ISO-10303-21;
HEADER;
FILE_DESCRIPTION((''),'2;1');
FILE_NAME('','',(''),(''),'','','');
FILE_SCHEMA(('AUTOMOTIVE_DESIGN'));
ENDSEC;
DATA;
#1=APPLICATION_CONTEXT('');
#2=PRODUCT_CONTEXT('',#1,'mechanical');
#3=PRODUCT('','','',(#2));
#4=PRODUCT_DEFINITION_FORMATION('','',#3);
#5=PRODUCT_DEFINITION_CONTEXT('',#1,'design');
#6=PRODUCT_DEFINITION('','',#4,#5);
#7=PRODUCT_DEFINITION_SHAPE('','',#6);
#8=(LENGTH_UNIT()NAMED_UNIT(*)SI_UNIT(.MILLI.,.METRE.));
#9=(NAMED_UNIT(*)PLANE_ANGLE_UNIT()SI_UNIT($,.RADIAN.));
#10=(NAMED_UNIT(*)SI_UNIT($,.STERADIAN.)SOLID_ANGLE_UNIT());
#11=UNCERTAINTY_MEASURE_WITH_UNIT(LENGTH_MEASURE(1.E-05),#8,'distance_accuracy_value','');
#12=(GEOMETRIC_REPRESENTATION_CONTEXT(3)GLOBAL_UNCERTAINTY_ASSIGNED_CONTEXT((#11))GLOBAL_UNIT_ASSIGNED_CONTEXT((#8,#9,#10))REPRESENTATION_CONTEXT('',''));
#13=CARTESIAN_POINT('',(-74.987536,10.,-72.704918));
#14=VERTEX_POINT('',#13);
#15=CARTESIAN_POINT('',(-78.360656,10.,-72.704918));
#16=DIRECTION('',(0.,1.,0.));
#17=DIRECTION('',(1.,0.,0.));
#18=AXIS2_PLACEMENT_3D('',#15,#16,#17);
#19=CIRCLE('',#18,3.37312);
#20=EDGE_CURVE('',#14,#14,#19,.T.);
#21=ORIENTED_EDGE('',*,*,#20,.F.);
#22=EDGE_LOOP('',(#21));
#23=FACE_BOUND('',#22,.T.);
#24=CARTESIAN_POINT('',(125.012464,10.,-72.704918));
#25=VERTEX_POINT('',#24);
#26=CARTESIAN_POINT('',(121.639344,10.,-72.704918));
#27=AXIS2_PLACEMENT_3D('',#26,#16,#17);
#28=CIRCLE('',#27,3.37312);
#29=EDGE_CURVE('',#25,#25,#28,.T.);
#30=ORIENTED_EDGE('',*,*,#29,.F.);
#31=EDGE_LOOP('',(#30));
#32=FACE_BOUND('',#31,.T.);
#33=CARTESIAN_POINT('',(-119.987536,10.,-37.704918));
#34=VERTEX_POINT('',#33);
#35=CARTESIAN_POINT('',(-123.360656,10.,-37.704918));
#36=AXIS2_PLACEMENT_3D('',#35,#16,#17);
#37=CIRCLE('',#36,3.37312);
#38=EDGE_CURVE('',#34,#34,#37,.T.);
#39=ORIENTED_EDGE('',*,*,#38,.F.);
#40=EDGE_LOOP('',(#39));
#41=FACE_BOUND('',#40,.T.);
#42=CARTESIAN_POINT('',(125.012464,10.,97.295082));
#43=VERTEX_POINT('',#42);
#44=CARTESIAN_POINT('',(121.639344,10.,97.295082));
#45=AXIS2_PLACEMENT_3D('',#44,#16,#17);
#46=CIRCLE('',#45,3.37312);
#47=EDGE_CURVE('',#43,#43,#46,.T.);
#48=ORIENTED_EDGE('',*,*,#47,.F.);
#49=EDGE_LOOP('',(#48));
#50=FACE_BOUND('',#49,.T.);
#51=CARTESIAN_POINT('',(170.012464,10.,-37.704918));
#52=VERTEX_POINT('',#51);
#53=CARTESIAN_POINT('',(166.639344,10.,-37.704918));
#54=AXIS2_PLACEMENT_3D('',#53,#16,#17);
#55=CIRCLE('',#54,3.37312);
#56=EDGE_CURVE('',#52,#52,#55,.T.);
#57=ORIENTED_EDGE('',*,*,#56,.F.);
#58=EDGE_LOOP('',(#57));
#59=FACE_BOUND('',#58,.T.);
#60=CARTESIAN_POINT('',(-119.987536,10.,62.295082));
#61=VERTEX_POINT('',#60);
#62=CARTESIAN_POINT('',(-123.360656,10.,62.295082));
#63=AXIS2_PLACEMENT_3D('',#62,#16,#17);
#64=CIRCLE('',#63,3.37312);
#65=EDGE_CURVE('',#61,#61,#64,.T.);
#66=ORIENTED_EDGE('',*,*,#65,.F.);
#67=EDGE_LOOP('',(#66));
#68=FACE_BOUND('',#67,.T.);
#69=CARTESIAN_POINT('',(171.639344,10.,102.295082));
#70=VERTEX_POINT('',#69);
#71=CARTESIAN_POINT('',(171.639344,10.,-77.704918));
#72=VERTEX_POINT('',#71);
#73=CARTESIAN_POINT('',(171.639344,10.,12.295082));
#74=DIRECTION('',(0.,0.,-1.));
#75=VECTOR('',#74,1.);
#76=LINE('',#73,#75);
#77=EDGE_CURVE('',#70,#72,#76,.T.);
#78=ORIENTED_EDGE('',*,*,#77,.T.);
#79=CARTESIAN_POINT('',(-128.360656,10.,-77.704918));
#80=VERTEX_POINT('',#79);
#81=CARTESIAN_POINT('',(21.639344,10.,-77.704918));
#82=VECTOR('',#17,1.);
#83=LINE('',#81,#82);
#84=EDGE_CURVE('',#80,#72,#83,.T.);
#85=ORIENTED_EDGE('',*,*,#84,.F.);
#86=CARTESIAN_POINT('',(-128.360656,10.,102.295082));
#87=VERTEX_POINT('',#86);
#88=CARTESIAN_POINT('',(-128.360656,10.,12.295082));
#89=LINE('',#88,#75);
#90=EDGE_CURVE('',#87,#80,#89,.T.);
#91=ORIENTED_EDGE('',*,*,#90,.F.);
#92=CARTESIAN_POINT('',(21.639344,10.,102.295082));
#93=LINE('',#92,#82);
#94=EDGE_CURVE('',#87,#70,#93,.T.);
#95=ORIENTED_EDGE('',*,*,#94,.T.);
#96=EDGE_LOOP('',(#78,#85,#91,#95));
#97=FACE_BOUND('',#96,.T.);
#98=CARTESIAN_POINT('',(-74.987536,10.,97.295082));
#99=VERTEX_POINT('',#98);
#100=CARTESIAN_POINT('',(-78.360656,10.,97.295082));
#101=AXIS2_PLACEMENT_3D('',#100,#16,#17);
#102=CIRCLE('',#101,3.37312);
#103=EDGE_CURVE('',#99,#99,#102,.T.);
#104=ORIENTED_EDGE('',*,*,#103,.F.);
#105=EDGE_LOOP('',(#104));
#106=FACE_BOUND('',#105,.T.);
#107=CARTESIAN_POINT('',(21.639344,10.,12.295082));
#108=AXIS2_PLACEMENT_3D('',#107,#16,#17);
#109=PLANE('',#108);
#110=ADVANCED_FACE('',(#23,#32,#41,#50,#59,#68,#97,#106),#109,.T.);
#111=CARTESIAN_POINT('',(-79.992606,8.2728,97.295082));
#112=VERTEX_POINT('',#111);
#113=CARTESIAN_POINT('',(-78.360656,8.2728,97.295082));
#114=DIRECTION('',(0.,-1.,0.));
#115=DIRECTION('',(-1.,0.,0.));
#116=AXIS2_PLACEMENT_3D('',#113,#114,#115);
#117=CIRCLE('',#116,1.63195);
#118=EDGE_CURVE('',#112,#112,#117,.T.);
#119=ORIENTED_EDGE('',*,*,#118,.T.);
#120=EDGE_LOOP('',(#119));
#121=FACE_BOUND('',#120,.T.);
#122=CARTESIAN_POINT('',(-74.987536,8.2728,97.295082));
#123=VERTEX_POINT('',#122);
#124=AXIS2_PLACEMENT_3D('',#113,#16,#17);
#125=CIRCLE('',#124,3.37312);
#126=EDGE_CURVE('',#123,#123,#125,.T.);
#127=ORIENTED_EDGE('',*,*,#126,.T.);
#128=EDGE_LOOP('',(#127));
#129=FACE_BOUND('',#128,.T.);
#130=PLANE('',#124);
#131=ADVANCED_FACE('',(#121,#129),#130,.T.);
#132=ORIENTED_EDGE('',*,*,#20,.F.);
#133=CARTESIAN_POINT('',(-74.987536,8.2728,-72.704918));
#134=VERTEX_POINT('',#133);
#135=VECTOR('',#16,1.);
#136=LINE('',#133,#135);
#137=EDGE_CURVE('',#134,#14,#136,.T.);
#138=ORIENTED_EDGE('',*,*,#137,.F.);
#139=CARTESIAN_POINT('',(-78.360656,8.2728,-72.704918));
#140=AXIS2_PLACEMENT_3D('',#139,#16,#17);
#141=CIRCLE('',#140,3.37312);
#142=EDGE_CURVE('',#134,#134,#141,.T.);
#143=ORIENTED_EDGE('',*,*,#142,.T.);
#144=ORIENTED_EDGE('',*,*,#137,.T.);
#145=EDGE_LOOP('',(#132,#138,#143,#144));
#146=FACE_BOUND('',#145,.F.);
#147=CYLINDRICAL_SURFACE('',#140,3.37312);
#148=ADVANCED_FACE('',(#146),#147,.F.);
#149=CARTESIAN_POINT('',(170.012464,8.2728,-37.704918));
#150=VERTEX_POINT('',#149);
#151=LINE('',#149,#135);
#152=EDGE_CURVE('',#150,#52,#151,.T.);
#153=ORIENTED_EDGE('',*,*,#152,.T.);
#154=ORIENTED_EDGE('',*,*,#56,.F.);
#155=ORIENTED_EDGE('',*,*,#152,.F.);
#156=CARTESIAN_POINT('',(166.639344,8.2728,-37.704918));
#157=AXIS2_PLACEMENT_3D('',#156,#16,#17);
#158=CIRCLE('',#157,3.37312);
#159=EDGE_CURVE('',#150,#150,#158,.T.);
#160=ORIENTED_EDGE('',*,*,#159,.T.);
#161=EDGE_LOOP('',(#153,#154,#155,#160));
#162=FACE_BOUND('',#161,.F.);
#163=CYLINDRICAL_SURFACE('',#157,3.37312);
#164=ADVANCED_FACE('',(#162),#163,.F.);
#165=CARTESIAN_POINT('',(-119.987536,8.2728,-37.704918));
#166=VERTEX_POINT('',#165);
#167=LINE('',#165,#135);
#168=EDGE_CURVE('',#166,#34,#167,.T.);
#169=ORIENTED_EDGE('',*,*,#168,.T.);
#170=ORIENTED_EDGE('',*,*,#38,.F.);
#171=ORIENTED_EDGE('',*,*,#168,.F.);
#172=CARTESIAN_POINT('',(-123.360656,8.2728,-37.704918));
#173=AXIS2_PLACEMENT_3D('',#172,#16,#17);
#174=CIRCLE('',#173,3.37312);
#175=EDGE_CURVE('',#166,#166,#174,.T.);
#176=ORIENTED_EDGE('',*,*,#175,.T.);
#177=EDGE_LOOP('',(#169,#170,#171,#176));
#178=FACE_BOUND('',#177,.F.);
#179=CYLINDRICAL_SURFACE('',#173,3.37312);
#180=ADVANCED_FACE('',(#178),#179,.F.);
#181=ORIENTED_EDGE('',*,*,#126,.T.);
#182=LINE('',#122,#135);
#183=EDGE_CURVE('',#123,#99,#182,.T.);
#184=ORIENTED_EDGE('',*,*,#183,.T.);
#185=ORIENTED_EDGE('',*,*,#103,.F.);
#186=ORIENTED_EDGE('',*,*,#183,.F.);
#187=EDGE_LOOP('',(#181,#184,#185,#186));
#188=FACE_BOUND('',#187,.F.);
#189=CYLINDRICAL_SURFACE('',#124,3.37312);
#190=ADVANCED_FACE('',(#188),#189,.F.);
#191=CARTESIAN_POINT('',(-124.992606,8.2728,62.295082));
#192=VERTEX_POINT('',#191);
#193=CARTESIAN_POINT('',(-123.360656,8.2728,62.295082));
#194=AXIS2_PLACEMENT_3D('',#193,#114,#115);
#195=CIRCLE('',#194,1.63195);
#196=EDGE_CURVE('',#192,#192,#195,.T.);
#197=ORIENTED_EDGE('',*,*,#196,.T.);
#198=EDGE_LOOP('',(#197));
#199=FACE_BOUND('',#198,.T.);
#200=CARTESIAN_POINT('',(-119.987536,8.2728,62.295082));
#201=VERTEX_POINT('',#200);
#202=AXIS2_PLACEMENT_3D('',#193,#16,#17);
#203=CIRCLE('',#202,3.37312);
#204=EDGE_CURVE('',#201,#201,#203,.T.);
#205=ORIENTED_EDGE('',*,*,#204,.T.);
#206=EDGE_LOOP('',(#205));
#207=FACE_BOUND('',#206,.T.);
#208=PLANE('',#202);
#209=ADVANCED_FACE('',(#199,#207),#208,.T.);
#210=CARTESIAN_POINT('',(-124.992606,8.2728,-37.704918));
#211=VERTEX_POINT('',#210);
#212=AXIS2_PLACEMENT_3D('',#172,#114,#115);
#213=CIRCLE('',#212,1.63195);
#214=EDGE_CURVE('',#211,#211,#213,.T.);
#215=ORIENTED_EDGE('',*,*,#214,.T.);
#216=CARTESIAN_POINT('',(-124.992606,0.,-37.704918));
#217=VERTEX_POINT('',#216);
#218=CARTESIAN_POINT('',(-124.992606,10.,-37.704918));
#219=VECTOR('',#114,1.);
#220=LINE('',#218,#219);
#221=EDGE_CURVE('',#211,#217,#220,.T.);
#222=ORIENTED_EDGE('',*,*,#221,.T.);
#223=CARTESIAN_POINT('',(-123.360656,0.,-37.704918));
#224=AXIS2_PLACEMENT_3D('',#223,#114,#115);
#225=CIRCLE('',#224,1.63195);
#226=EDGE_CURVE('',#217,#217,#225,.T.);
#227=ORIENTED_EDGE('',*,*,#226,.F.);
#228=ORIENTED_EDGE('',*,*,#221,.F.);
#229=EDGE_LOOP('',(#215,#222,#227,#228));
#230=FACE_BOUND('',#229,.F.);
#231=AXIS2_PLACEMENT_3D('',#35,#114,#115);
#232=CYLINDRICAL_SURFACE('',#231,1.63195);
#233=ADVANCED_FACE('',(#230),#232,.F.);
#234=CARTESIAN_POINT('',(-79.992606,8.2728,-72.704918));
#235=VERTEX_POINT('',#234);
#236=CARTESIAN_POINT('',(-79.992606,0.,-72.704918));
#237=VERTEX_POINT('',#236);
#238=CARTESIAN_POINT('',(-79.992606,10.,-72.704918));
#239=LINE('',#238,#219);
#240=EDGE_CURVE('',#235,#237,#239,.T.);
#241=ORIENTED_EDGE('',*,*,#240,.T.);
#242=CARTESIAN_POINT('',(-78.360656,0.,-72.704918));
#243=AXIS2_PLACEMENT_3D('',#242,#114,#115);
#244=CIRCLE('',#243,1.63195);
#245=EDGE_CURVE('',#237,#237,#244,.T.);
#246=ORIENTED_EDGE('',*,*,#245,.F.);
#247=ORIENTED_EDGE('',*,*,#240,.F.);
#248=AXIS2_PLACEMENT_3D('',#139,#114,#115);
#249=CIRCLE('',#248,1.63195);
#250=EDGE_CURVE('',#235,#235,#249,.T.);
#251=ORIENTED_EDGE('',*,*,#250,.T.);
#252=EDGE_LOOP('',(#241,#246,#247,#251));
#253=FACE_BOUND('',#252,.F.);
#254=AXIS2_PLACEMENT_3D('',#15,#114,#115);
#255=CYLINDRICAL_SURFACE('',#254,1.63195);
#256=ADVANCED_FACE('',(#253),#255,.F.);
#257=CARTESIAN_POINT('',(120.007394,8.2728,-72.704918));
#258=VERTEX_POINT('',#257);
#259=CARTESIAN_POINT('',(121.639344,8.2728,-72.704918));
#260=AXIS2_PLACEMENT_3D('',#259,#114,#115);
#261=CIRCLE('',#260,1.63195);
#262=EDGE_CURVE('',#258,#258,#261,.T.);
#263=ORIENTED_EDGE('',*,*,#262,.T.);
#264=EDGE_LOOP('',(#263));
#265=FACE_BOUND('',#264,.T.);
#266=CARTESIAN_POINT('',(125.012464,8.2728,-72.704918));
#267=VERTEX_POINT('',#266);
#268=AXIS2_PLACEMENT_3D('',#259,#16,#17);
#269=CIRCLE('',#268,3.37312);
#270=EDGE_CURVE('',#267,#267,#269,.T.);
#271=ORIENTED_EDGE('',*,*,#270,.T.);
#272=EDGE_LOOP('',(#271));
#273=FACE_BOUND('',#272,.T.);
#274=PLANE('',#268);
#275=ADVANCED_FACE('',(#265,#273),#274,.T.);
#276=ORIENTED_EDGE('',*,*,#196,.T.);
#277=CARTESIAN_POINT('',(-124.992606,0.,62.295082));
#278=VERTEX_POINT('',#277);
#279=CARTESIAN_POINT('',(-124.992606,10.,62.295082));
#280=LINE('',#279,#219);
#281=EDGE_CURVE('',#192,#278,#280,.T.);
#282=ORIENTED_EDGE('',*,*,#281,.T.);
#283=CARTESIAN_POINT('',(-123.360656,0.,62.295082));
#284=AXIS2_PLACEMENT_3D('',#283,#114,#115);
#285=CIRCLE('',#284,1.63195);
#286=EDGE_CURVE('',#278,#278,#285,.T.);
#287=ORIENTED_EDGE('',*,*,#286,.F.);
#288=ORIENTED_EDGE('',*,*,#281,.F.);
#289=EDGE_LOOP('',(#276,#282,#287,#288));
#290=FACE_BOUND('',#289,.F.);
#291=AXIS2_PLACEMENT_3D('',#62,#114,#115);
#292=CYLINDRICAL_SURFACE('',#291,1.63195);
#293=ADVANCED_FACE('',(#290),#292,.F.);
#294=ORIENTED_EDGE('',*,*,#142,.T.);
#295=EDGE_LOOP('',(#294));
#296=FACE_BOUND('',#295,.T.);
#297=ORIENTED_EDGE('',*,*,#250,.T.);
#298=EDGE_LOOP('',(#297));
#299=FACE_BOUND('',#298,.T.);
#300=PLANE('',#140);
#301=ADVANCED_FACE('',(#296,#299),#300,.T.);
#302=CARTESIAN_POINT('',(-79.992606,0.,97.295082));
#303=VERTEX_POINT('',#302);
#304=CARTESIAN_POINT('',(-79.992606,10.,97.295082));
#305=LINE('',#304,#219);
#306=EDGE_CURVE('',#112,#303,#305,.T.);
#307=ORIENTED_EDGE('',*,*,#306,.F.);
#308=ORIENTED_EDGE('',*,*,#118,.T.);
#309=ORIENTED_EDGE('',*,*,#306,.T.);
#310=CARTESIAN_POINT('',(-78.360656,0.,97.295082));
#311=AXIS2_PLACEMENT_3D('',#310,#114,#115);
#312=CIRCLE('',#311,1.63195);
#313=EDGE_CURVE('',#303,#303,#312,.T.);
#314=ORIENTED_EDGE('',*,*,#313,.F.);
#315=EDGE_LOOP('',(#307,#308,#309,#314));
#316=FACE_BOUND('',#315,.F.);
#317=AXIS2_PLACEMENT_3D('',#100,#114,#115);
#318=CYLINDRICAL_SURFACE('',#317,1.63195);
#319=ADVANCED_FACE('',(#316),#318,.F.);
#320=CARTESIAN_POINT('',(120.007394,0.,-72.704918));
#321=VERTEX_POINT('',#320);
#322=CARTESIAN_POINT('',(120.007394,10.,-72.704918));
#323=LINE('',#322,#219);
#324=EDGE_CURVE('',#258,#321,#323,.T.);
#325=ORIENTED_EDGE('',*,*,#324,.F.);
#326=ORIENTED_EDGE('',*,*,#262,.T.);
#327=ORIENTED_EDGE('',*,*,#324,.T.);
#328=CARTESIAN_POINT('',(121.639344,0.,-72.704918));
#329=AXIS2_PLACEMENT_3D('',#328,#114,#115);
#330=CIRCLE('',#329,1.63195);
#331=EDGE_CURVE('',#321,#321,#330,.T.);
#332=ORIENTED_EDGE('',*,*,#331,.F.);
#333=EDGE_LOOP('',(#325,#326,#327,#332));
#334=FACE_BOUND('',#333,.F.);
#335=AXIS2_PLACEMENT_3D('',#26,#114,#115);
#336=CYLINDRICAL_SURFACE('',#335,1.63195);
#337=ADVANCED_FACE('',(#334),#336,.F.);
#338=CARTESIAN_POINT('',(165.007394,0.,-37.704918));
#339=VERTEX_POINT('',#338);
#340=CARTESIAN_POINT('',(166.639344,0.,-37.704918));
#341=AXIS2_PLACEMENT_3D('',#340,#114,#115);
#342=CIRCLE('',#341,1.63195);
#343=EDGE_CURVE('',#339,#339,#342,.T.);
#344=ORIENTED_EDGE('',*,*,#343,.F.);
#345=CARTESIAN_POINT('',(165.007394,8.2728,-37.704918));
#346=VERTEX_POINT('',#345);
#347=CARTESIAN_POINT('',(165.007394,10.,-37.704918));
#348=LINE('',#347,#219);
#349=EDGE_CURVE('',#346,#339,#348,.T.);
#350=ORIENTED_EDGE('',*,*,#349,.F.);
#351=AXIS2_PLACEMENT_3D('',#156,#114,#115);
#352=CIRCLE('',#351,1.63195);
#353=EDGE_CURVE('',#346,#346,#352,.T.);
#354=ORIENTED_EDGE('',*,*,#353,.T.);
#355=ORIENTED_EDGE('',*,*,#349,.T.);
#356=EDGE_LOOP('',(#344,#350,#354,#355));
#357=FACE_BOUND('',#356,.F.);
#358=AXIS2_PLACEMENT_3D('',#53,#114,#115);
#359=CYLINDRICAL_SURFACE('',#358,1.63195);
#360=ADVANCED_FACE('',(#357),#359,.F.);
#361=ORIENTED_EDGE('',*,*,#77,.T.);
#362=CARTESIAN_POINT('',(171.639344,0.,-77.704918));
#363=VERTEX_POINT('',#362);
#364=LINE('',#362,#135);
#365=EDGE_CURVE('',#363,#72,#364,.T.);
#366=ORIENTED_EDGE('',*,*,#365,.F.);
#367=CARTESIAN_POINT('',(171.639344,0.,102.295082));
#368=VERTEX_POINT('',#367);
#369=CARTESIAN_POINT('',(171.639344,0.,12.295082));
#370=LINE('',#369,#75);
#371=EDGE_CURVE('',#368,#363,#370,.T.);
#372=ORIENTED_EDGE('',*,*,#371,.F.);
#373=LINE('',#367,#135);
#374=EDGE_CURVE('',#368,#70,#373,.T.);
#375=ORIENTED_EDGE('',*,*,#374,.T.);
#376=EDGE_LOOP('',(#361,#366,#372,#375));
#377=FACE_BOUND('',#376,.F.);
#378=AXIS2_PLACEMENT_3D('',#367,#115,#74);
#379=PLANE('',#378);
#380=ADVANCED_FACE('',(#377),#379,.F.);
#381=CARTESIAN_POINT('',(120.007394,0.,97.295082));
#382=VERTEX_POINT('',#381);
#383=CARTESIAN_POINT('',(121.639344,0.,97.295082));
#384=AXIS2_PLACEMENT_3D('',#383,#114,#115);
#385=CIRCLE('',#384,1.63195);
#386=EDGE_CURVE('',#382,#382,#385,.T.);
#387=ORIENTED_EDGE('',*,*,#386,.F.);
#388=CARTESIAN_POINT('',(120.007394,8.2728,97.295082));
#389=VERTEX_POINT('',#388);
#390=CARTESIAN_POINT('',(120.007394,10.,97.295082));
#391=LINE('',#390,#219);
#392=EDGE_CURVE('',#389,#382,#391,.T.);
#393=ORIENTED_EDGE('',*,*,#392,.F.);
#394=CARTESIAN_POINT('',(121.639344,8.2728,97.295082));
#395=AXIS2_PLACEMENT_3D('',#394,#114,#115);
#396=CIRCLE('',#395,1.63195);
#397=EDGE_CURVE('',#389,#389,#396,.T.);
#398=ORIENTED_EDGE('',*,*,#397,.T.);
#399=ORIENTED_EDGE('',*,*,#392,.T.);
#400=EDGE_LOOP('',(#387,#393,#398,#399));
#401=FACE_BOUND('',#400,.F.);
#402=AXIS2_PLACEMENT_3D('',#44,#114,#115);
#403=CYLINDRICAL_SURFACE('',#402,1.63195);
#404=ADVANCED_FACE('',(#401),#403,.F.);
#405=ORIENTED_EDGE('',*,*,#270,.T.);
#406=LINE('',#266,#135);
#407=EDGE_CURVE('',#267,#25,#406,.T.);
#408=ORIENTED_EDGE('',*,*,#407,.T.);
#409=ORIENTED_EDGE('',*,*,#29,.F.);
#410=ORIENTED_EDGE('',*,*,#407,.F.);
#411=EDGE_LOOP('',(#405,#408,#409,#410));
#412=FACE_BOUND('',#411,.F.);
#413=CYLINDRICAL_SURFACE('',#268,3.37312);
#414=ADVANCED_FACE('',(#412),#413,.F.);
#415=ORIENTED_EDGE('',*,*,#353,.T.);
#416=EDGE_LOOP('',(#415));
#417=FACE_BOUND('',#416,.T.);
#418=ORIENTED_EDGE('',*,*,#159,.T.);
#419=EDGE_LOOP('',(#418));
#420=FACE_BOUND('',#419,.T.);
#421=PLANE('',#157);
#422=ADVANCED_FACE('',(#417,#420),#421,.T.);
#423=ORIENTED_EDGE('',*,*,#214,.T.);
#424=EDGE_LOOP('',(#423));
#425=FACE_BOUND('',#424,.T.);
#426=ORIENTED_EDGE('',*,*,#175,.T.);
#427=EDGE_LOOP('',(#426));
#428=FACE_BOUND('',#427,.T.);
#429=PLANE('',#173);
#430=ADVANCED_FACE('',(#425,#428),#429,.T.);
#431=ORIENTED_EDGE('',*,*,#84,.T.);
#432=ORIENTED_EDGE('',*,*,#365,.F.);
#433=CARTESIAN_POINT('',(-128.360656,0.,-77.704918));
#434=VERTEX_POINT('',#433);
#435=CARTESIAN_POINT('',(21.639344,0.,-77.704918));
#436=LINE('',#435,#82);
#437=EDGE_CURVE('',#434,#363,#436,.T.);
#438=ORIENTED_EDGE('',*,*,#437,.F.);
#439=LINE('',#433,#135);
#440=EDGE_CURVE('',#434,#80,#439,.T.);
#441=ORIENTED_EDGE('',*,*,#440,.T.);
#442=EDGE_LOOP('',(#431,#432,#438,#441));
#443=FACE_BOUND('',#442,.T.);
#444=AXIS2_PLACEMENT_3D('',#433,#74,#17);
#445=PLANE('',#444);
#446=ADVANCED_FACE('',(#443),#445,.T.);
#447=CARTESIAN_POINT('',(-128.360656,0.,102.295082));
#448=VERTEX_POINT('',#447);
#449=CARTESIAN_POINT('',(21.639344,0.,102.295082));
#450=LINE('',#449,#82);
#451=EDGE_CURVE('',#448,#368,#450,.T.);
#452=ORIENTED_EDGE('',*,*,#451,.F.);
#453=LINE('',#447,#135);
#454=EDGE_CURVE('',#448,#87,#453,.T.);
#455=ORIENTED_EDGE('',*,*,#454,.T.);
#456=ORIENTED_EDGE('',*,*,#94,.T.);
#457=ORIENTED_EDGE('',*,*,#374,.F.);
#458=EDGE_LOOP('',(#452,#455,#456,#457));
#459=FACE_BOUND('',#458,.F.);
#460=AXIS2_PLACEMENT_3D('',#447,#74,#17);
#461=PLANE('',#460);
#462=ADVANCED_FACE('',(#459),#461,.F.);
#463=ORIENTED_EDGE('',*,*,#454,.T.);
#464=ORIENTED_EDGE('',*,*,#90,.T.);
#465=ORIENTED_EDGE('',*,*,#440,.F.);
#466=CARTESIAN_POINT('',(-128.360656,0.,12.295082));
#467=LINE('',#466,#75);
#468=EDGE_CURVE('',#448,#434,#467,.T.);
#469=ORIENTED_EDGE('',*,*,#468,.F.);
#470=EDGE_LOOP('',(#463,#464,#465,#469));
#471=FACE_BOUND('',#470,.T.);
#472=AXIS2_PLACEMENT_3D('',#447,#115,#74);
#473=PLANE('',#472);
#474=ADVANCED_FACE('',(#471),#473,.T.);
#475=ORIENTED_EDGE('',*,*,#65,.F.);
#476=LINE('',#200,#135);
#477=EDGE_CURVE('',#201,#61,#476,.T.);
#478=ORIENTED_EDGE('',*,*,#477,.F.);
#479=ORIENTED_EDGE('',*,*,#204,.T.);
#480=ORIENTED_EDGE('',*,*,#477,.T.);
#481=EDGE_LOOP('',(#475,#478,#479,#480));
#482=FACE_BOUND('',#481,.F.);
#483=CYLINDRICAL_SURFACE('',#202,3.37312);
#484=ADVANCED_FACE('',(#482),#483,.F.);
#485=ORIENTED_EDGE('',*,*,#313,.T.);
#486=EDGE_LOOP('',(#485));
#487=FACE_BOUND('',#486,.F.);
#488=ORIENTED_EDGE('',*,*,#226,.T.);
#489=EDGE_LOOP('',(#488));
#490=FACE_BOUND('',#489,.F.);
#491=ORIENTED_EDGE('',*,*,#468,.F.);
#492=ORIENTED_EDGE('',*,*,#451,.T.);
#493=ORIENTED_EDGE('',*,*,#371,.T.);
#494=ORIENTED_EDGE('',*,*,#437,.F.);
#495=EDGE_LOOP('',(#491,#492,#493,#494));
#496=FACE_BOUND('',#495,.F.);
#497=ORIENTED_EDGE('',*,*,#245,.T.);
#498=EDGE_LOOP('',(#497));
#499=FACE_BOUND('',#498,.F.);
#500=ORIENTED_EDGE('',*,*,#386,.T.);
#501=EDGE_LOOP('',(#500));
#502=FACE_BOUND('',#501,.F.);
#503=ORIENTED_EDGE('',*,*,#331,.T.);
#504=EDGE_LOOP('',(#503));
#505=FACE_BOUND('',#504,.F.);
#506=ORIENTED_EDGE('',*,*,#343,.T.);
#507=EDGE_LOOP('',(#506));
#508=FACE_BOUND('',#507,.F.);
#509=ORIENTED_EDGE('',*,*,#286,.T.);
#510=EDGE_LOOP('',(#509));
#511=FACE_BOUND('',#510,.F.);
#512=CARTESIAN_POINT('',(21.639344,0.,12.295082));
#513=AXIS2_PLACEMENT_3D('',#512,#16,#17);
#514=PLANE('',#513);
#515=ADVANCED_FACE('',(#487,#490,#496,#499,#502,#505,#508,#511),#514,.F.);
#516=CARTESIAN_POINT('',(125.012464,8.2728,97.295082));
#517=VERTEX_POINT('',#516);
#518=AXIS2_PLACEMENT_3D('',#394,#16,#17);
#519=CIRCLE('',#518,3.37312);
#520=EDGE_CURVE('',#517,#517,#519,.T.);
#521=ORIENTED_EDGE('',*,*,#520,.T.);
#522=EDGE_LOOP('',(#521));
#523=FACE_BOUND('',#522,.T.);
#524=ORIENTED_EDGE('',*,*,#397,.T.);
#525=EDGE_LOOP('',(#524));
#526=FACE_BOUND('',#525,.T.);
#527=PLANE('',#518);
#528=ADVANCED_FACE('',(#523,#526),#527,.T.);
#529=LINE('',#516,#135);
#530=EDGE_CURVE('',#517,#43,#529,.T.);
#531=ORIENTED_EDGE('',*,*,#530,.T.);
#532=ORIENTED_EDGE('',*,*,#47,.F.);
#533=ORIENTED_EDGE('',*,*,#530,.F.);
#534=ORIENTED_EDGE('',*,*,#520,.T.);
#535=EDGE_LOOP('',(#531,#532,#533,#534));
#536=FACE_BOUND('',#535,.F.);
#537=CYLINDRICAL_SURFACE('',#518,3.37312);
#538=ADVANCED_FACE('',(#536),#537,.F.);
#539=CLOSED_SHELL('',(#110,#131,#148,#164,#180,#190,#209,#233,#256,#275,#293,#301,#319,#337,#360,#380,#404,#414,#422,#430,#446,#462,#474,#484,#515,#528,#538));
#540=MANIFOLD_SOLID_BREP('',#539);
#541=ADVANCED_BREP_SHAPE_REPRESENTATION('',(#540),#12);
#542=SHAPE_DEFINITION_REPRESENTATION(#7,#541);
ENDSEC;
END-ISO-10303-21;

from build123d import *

# Parameters (mm, degrees)
SKETCH1_W                                           = 300
SKETCH1_H                                           = 180
BOSS_EXTRUDE1_DEPTH                                 = 10
CBORE_FOR_4_BINDING_HEAD_MACHINE_SCREW1_D           = 3.2639
CBORE_FOR_4_BINDING_HEAD_MACHINE_SCREW1_DEPTH       = 10
CBORE_FOR_4_BINDING_HEAD_MACHINE_SCREW1_CBORE_D     = 6.74624
CBORE_FOR_4_BINDING_HEAD_MACHINE_SCREW1_CBORE_DEPTH = 1.7272


with BuildPart() as part:
    # Sketch1 → Boss-Extrude1 (new body)
    with BuildSketch(Plane(origin=(0, 0, 0), x_dir=(1, 0, 0), z_dir=(0, 1, 0))):
        with Locations((21.639344262, -12.295081967)):
            Rectangle(SKETCH1_W, SKETCH1_H)
    extrude(amount=BOSS_EXTRUDE1_DEPTH)

    # CBORE for #4 Binding Head Machine Screw1
    with Locations(Plane(origin=(0, 10, 0), x_dir=(1, 0, 0), z_dir=(0, 1, 0))):
        with Locations((-123.360655738, 37.704918033), (-123.360655738, -62.295081967), (-78.360655738, -97.295081967), (121.639344262, -97.295081967), (121.639344262, 72.704918033), (166.639344262, 37.704918033), (-78.360655738, 72.704918033)):
            CounterBoreHole(CBORE_FOR_4_BINDING_HEAD_MACHINE_SCREW1_D / 2, CBORE_FOR_4_BINDING_HEAD_MACHINE_SCREW1_CBORE_D / 2, CBORE_FOR_4_BINDING_HEAD_MACHINE_SCREW1_CBORE_DEPTH, depth=CBORE_FOR_4_BINDING_HEAD_MACHINE_SCREW1_DEPTH)


solid = part.part
